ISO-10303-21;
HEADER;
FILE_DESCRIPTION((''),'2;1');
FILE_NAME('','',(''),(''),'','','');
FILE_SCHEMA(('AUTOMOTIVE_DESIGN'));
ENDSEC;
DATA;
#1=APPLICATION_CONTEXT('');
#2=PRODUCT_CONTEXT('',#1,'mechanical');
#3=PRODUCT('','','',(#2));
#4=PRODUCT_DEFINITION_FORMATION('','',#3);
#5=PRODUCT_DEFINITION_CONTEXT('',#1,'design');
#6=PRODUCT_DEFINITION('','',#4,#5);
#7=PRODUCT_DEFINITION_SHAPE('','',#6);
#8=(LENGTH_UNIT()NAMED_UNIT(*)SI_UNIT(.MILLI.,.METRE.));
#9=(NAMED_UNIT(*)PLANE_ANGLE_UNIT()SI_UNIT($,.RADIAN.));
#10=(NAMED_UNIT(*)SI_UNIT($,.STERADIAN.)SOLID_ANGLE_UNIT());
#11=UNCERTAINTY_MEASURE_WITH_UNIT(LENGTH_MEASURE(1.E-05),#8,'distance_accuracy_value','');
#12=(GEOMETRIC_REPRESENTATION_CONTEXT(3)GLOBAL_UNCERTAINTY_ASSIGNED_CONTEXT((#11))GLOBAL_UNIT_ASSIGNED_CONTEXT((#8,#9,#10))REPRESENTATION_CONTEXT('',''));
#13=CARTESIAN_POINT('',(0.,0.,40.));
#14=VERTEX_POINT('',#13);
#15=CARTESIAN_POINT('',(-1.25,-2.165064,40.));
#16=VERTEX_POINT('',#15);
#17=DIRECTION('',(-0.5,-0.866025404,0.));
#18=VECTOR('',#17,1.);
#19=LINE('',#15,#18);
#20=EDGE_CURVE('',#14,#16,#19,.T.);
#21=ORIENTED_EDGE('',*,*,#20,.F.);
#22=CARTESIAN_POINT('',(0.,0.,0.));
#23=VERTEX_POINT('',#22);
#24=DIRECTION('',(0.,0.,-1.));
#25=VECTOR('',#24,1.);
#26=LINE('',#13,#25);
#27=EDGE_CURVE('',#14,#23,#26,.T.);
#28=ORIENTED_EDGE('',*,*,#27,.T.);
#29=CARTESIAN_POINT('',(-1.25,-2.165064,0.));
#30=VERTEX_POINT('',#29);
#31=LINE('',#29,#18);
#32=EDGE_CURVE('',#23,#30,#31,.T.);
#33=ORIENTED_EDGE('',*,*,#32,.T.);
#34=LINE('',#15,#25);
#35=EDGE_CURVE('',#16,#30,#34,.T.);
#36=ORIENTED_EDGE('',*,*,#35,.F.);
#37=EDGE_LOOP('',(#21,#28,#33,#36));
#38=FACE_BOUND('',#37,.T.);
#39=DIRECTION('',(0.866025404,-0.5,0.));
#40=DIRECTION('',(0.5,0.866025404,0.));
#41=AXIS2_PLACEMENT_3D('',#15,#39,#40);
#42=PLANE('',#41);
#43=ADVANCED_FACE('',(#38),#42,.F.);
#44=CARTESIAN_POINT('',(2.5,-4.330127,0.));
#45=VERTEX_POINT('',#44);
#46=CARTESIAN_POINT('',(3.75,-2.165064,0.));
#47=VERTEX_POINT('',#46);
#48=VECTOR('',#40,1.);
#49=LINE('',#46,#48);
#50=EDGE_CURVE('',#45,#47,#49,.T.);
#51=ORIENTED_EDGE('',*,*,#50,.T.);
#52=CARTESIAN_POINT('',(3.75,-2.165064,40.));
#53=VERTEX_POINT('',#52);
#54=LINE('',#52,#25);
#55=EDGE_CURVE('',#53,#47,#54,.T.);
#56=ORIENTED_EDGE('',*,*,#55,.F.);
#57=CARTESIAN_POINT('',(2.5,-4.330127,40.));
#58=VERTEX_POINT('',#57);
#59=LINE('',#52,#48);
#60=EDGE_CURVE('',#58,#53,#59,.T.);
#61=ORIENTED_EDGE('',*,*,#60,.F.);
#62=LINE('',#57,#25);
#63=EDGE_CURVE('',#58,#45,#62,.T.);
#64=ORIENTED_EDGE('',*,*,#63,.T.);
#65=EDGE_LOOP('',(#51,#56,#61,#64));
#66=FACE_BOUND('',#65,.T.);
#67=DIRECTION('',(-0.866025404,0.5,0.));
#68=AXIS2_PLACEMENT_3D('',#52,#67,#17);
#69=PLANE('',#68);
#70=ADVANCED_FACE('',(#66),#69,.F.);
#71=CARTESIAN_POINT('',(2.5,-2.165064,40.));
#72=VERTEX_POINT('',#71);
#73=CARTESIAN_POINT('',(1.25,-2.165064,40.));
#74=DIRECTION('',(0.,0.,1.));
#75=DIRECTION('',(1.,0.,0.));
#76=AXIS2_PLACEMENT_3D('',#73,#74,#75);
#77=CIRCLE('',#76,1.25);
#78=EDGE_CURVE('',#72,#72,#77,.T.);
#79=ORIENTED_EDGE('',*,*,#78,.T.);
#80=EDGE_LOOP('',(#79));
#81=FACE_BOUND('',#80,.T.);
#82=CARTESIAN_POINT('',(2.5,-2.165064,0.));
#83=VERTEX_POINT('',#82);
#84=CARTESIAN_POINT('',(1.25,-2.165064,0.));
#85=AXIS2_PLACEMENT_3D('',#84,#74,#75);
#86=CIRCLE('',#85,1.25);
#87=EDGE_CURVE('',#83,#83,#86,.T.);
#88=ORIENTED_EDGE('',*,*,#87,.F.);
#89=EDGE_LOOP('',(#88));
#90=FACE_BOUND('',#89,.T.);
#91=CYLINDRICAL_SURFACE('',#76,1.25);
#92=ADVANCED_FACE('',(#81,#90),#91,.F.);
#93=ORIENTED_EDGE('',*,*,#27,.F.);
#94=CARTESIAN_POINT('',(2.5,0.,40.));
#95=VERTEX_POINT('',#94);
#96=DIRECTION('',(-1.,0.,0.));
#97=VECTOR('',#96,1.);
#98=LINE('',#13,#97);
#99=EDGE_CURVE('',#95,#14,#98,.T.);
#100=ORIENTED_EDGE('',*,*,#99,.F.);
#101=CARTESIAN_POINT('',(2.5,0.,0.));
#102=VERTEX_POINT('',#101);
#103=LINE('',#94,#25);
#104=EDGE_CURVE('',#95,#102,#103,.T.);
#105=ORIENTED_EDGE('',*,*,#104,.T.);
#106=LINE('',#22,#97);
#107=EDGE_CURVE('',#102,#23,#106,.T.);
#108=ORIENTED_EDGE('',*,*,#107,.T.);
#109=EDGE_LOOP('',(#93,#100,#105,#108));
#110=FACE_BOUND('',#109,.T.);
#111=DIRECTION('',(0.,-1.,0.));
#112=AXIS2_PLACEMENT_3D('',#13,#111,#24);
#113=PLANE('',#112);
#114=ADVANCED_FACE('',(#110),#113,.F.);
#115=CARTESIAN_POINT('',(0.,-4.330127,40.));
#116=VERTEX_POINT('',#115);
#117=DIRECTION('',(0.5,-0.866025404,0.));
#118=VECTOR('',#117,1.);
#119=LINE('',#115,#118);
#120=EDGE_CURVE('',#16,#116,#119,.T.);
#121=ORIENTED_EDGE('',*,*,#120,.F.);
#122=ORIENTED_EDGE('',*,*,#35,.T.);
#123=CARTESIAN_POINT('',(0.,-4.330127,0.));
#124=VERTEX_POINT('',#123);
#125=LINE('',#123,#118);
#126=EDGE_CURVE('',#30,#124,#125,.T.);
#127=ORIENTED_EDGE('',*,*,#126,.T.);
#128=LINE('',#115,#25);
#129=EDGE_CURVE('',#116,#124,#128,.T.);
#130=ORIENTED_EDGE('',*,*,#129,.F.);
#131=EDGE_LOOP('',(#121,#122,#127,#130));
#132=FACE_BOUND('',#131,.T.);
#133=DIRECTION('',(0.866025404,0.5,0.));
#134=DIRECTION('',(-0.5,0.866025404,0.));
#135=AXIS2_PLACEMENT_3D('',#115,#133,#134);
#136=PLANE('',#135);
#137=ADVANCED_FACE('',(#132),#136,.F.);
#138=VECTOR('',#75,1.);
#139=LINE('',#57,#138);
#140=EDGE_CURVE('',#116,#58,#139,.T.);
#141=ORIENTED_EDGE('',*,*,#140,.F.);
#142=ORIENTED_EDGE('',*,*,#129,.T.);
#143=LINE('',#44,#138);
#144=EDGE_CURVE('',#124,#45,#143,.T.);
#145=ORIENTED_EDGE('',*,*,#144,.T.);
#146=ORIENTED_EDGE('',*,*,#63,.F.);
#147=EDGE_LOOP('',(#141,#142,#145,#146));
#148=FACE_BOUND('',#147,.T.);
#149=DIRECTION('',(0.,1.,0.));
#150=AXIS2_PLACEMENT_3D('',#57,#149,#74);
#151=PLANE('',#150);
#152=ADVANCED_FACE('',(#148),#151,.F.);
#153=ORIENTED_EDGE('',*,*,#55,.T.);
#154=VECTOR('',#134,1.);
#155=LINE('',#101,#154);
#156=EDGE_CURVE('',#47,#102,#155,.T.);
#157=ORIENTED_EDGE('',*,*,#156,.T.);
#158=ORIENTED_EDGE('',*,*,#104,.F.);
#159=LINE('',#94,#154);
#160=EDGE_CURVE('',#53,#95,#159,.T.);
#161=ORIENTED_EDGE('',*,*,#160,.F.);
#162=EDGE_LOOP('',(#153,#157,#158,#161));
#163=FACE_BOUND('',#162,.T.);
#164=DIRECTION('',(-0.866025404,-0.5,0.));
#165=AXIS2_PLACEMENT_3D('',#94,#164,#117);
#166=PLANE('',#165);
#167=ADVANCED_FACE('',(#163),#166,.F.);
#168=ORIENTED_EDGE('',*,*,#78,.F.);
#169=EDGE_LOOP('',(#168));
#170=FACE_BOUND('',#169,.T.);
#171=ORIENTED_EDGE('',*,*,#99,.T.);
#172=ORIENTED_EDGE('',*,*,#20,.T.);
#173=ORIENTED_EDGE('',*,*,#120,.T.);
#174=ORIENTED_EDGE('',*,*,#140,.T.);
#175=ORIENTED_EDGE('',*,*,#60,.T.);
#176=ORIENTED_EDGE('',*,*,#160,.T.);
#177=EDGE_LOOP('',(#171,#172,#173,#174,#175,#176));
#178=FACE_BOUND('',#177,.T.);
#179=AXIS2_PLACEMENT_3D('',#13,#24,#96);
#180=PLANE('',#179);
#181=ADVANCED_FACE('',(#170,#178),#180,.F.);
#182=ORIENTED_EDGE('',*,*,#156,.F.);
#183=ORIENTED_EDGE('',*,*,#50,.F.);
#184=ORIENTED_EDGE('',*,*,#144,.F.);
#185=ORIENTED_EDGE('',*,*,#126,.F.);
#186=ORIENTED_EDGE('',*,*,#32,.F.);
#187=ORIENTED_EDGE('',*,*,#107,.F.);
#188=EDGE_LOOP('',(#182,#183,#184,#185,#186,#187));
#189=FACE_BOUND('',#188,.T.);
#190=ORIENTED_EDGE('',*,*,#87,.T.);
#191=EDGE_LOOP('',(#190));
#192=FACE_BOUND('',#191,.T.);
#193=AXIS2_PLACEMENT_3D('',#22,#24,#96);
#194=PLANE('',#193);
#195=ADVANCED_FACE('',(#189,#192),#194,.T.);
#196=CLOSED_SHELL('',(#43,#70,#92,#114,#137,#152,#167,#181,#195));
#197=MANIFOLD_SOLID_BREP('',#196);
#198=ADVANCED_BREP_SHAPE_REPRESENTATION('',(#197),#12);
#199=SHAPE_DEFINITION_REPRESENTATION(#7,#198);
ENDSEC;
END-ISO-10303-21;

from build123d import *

# Parameters (mm, degrees)
EXTRUDE_1_DEPTH    = 40
HOLE_WIZARD_M3_1_D = 2.5


with BuildPart() as part:
    # 草图1 → 凸台-拉伸1 (new body)
    with BuildSketch(Plane.XY):
        Polygon((0, 0), (2.5, 0), (3.75, -2.165063509), (2.5, -4.330127019), (0, -4.330127019), (-1.25, -2.165063509), align=None)
    extrude(amount=EXTRUDE_1_DEPTH)

    # M3 螺纹孔1 (through all)
    with Locations(Plane.XY.offset(40)):
        with Locations((1.25, -2.165063509)):
            Hole(HOLE_WIZARD_M3_1_D / 2)


solid = part.part
